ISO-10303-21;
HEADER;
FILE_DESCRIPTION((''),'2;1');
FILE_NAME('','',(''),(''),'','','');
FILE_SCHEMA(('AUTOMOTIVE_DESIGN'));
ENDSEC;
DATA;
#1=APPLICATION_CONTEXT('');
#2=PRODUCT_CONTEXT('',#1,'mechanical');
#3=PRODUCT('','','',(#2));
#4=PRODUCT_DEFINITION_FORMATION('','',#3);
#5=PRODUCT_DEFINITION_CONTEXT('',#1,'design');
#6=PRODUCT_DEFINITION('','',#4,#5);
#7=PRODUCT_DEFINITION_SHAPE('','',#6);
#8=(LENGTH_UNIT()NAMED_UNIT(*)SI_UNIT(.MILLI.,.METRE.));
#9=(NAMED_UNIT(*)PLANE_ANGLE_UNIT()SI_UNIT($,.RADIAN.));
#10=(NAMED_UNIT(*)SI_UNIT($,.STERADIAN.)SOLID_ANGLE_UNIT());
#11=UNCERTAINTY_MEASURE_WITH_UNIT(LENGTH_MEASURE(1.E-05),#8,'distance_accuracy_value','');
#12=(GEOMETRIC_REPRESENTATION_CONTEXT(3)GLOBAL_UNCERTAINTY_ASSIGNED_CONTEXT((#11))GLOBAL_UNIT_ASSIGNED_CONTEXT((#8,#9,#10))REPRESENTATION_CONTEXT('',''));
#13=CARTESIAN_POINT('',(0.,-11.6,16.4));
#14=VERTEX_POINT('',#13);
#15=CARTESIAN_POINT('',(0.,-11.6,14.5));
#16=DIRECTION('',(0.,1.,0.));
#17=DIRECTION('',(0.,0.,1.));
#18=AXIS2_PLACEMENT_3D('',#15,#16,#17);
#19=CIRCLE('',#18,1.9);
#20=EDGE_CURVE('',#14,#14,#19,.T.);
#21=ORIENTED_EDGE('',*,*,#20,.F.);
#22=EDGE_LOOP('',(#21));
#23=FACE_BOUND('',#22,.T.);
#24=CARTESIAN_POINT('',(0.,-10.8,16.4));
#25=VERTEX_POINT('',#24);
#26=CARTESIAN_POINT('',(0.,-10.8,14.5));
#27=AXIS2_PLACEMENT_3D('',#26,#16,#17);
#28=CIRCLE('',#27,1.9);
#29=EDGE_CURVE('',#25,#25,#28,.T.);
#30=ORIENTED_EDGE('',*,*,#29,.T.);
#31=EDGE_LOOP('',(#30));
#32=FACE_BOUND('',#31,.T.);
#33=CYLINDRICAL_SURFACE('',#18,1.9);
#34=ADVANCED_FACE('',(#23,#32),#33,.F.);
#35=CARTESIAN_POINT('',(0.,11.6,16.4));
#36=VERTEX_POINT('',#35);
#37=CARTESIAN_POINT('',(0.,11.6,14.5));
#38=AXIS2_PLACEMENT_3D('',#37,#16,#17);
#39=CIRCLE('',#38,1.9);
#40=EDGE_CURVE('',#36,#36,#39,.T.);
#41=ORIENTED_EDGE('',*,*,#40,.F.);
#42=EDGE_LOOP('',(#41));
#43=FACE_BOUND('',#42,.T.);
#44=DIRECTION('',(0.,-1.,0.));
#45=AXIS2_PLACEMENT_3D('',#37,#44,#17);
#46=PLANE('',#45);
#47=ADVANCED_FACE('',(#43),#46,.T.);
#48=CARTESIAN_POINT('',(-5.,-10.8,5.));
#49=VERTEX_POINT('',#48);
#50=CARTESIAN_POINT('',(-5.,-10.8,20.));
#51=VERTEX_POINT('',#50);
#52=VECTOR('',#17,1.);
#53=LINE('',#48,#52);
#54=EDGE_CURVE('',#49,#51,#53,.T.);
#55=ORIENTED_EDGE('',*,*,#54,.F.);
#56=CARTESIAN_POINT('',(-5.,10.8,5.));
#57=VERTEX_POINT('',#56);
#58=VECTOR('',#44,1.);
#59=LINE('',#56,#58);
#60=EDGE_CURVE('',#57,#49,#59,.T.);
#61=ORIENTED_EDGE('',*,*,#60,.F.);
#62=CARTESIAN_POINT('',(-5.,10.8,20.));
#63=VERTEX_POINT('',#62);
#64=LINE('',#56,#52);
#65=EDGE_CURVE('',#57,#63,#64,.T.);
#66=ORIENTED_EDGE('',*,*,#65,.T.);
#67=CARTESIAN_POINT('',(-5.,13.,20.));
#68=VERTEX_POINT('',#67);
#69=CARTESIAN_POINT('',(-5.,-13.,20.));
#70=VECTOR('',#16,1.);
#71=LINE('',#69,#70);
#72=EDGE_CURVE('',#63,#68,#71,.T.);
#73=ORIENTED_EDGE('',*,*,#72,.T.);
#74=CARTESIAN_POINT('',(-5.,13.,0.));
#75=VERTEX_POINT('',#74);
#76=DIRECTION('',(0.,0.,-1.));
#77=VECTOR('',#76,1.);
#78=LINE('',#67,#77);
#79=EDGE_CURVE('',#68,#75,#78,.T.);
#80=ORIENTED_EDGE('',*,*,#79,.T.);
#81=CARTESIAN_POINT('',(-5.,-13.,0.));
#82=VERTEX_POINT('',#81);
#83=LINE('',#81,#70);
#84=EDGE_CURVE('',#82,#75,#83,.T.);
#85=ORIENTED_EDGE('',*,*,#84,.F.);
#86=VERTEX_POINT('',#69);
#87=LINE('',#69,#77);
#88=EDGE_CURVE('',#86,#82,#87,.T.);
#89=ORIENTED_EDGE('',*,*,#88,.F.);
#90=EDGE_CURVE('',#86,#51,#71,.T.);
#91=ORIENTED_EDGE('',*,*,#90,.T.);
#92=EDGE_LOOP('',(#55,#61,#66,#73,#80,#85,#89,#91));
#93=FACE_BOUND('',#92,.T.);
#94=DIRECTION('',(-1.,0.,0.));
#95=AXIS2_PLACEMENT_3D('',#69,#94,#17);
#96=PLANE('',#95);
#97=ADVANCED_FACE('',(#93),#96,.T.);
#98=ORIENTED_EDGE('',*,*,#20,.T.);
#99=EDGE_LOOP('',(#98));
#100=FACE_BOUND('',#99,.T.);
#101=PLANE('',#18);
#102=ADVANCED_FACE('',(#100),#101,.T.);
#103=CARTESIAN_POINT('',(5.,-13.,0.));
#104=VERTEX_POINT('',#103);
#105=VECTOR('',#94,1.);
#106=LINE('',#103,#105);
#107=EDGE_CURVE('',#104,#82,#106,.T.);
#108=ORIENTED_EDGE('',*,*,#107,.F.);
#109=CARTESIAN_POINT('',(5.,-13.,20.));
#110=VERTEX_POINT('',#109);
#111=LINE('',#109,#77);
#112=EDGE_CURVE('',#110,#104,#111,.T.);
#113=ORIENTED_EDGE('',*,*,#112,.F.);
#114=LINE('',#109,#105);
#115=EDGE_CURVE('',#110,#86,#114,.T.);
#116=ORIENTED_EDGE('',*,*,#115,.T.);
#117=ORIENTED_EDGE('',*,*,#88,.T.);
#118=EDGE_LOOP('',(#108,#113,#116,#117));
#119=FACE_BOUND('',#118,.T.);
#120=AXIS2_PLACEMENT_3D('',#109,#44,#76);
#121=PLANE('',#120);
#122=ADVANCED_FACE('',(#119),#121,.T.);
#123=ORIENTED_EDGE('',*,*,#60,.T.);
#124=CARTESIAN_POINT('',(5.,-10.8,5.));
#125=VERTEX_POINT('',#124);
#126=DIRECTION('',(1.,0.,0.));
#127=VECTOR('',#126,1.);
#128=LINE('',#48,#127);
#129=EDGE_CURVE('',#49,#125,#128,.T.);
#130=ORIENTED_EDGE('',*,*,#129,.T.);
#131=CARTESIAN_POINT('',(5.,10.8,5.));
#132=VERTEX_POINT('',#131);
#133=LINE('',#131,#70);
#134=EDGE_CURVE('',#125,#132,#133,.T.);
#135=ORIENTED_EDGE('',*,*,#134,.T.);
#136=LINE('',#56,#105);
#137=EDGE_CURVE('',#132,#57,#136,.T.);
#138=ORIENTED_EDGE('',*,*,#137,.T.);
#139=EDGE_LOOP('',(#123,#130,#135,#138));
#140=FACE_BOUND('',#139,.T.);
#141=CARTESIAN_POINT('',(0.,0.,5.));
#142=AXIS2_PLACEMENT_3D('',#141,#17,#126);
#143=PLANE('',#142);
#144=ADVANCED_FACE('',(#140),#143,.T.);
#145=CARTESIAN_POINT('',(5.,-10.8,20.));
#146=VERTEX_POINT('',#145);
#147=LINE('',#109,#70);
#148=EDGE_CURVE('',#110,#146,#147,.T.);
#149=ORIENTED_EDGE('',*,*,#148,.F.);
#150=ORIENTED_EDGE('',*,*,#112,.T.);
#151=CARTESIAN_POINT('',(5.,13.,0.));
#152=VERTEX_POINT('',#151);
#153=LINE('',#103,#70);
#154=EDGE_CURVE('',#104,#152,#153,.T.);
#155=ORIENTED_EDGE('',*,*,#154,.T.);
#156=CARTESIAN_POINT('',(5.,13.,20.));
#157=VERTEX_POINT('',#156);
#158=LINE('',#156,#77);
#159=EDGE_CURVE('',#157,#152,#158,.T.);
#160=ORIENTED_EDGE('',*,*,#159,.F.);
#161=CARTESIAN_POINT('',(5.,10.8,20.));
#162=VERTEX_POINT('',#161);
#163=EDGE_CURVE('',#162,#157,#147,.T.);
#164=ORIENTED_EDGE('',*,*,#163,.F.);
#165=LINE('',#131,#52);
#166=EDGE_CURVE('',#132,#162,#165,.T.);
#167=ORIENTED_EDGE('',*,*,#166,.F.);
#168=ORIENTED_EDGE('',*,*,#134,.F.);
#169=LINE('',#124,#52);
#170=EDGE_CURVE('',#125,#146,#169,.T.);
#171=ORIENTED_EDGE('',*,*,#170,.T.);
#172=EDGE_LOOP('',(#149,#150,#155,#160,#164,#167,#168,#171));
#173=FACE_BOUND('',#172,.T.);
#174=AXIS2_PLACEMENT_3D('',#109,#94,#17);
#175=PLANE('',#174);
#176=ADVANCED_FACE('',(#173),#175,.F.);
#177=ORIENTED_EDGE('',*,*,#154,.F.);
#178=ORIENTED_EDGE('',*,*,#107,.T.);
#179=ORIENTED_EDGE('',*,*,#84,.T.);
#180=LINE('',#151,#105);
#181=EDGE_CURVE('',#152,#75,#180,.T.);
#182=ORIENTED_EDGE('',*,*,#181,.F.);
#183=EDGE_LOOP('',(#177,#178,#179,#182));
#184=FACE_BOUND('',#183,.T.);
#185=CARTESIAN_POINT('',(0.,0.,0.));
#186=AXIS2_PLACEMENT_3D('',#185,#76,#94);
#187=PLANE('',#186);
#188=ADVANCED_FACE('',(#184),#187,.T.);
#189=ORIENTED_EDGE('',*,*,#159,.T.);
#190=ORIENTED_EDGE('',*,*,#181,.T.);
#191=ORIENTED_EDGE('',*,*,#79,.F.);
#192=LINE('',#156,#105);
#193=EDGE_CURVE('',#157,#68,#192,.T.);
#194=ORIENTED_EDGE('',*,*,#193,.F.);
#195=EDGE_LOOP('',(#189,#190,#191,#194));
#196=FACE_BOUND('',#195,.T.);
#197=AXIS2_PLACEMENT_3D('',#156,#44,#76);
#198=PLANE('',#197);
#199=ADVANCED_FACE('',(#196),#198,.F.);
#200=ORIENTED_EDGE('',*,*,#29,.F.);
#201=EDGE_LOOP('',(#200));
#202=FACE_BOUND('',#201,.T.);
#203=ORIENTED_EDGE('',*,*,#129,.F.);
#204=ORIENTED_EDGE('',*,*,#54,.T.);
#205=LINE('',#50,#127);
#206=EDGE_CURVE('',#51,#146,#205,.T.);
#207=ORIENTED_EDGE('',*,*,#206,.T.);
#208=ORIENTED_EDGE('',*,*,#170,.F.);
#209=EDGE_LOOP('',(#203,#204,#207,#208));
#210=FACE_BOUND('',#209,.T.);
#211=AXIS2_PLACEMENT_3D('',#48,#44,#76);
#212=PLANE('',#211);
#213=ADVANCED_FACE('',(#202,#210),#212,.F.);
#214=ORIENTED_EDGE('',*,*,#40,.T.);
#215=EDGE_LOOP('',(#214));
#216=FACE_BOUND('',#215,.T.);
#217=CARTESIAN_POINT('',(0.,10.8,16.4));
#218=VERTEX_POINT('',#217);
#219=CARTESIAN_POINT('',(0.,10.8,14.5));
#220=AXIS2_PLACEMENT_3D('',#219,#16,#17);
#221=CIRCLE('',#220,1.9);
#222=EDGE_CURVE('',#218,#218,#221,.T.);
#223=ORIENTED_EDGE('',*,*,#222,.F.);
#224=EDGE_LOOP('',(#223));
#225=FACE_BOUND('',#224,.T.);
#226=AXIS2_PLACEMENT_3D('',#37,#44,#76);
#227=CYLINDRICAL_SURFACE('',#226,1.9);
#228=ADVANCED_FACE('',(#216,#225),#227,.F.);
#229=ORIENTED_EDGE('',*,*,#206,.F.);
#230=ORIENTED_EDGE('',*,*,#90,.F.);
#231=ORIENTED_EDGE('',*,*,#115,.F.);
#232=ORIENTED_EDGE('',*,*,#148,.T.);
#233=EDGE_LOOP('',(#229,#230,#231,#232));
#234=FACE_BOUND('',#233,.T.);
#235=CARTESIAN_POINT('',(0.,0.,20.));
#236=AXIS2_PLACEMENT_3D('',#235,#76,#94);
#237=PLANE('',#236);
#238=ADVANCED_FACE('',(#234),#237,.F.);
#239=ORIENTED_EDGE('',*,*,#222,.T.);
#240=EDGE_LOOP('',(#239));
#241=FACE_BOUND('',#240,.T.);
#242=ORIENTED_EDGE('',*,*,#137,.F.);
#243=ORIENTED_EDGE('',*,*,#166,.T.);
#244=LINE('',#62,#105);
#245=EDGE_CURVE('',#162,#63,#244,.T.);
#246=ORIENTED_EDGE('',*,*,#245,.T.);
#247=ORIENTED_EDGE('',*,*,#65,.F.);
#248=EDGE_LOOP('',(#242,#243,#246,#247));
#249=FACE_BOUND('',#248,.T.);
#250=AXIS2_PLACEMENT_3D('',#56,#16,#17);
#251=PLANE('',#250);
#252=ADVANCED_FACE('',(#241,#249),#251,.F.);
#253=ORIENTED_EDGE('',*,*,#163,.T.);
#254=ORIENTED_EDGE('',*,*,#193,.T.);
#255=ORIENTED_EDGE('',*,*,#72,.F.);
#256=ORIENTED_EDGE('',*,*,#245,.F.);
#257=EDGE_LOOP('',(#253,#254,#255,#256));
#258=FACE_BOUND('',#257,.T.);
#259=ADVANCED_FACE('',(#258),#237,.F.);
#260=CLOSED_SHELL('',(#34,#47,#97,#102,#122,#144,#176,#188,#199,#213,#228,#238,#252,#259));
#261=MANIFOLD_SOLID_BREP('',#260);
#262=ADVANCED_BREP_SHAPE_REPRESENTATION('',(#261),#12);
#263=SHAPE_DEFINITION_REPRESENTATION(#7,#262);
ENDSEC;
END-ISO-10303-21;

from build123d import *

# Parameters (mm, degrees)
SKETCH1_W           = 26
SKETCH1_H           = 10
BOSS_EXTRUDE1_DEPTH = 20
SKETCH2_W           = 10
SKETCH2_H           = 21.6
CUT_EXTRUDE1_DEPTH  = 15
SKETCH3_R           = 1.9
CUT_EXTRUDE2_DEPTH  = 0.8


with BuildPart() as part:
    # Sketch1 → Boss-Extrude1 (new body)
    with BuildSketch(Plane(origin=(0, 0, 0), x_dir=(0, 1, 0), z_dir=(0, 0, 1))):
        Rectangle(SKETCH1_W, SKETCH1_H)
    extrude(amount=BOSS_EXTRUDE1_DEPTH)

    # Sketch2 → Cut-Extrude1 (cut)
    with BuildSketch(Plane.XY.offset(20)):
        Rectangle(SKETCH2_W, SKETCH2_H)
    extrude(amount=-CUT_EXTRUDE1_DEPTH, mode=Mode.SUBTRACT)

    # Sketch3 → Cut-Extrude2 (cut)
    with BuildSketch(Plane(origin=(0, -10.8, 0), x_dir=(-1, 0, 0), z_dir=(0, 1, 0))):
        with Locations(Location((0, 14.5, 0), (0, 0, 90))):
            Circle(SKETCH3_R)
    cut_extrude2 = extrude(amount=-CUT_EXTRUDE2_DEPTH, mode=Mode.SUBTRACT)

    # Mirror1: Cut-Extrude2 across plane
    add(cut_extrude2.mirror(Plane.ZX), mode=Mode.SUBTRACT)


solid = part.part
